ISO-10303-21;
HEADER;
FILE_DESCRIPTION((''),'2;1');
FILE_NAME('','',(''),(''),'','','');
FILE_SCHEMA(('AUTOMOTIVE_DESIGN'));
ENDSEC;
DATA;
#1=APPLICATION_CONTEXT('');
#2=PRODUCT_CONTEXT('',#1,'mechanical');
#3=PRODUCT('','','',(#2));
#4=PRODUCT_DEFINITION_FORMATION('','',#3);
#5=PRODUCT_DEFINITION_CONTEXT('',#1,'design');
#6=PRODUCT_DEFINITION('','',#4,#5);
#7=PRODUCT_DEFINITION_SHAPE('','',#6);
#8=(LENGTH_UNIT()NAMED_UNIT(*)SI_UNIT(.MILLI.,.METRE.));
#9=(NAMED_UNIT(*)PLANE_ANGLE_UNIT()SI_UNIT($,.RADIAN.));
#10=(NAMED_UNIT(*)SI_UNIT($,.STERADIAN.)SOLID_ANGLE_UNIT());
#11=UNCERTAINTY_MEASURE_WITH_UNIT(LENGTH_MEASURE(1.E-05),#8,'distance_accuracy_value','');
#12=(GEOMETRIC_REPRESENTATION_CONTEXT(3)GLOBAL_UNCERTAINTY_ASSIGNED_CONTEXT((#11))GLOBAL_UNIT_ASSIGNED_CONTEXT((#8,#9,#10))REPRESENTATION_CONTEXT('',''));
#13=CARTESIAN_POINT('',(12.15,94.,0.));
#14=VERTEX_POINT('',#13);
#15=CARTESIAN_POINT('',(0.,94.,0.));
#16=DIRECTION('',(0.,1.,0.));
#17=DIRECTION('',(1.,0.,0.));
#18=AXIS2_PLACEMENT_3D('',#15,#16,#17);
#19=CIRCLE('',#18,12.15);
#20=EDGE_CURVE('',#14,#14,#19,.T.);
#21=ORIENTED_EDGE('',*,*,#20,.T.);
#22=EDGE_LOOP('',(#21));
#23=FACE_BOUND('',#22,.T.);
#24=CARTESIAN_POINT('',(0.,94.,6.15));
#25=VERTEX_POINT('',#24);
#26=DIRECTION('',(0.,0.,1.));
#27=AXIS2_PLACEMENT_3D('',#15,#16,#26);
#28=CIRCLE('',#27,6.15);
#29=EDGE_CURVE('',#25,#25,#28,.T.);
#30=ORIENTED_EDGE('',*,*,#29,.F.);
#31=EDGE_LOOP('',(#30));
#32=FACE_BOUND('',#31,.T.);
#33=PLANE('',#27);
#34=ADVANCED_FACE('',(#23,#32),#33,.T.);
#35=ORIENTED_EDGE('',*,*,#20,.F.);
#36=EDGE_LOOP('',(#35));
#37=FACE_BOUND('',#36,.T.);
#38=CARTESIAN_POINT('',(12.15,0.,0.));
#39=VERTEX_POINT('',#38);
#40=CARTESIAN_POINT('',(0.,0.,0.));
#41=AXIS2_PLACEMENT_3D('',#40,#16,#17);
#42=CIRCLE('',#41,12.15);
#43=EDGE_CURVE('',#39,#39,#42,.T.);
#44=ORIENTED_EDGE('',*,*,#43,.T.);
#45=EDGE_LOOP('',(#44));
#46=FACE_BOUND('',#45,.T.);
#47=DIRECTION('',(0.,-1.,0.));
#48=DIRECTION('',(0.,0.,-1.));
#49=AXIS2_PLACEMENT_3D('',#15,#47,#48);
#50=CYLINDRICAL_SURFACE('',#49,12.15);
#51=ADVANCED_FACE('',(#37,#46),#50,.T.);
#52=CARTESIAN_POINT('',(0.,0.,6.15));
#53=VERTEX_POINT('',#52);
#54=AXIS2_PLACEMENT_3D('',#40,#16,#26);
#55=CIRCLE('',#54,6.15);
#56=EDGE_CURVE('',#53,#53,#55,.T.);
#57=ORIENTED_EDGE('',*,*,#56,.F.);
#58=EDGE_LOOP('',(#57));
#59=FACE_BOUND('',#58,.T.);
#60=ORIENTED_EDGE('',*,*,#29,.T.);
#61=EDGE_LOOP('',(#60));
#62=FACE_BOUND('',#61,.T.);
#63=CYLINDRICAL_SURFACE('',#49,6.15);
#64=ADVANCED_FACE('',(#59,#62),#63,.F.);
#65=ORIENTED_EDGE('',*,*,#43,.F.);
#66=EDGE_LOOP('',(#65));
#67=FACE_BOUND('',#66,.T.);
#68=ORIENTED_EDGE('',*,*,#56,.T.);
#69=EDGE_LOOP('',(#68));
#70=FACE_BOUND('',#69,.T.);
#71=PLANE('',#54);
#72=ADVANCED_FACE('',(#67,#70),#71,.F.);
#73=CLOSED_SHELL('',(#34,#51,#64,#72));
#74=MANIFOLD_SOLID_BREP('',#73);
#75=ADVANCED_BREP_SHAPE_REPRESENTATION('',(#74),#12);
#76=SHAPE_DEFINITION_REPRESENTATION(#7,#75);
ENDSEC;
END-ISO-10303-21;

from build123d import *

# Parameters (mm, degrees)
SKETCH1_R           = 12.15
SKETCH1_R_2         = 6.15
EXTRUDE_THIN1_DEPTH = 94


with BuildPart() as part:
    # Sketch1 → Extrude-Thin1 (new body)
    with BuildSketch(Plane(origin=(0, 0, 0), x_dir=(1, 0, 0), z_dir=(0, 1, 0))):
        Circle(SKETCH1_R)
        Circle(SKETCH1_R_2, mode=Mode.SUBTRACT)
    extrude(amount=EXTRUDE_THIN1_DEPTH)


solid = part.part
